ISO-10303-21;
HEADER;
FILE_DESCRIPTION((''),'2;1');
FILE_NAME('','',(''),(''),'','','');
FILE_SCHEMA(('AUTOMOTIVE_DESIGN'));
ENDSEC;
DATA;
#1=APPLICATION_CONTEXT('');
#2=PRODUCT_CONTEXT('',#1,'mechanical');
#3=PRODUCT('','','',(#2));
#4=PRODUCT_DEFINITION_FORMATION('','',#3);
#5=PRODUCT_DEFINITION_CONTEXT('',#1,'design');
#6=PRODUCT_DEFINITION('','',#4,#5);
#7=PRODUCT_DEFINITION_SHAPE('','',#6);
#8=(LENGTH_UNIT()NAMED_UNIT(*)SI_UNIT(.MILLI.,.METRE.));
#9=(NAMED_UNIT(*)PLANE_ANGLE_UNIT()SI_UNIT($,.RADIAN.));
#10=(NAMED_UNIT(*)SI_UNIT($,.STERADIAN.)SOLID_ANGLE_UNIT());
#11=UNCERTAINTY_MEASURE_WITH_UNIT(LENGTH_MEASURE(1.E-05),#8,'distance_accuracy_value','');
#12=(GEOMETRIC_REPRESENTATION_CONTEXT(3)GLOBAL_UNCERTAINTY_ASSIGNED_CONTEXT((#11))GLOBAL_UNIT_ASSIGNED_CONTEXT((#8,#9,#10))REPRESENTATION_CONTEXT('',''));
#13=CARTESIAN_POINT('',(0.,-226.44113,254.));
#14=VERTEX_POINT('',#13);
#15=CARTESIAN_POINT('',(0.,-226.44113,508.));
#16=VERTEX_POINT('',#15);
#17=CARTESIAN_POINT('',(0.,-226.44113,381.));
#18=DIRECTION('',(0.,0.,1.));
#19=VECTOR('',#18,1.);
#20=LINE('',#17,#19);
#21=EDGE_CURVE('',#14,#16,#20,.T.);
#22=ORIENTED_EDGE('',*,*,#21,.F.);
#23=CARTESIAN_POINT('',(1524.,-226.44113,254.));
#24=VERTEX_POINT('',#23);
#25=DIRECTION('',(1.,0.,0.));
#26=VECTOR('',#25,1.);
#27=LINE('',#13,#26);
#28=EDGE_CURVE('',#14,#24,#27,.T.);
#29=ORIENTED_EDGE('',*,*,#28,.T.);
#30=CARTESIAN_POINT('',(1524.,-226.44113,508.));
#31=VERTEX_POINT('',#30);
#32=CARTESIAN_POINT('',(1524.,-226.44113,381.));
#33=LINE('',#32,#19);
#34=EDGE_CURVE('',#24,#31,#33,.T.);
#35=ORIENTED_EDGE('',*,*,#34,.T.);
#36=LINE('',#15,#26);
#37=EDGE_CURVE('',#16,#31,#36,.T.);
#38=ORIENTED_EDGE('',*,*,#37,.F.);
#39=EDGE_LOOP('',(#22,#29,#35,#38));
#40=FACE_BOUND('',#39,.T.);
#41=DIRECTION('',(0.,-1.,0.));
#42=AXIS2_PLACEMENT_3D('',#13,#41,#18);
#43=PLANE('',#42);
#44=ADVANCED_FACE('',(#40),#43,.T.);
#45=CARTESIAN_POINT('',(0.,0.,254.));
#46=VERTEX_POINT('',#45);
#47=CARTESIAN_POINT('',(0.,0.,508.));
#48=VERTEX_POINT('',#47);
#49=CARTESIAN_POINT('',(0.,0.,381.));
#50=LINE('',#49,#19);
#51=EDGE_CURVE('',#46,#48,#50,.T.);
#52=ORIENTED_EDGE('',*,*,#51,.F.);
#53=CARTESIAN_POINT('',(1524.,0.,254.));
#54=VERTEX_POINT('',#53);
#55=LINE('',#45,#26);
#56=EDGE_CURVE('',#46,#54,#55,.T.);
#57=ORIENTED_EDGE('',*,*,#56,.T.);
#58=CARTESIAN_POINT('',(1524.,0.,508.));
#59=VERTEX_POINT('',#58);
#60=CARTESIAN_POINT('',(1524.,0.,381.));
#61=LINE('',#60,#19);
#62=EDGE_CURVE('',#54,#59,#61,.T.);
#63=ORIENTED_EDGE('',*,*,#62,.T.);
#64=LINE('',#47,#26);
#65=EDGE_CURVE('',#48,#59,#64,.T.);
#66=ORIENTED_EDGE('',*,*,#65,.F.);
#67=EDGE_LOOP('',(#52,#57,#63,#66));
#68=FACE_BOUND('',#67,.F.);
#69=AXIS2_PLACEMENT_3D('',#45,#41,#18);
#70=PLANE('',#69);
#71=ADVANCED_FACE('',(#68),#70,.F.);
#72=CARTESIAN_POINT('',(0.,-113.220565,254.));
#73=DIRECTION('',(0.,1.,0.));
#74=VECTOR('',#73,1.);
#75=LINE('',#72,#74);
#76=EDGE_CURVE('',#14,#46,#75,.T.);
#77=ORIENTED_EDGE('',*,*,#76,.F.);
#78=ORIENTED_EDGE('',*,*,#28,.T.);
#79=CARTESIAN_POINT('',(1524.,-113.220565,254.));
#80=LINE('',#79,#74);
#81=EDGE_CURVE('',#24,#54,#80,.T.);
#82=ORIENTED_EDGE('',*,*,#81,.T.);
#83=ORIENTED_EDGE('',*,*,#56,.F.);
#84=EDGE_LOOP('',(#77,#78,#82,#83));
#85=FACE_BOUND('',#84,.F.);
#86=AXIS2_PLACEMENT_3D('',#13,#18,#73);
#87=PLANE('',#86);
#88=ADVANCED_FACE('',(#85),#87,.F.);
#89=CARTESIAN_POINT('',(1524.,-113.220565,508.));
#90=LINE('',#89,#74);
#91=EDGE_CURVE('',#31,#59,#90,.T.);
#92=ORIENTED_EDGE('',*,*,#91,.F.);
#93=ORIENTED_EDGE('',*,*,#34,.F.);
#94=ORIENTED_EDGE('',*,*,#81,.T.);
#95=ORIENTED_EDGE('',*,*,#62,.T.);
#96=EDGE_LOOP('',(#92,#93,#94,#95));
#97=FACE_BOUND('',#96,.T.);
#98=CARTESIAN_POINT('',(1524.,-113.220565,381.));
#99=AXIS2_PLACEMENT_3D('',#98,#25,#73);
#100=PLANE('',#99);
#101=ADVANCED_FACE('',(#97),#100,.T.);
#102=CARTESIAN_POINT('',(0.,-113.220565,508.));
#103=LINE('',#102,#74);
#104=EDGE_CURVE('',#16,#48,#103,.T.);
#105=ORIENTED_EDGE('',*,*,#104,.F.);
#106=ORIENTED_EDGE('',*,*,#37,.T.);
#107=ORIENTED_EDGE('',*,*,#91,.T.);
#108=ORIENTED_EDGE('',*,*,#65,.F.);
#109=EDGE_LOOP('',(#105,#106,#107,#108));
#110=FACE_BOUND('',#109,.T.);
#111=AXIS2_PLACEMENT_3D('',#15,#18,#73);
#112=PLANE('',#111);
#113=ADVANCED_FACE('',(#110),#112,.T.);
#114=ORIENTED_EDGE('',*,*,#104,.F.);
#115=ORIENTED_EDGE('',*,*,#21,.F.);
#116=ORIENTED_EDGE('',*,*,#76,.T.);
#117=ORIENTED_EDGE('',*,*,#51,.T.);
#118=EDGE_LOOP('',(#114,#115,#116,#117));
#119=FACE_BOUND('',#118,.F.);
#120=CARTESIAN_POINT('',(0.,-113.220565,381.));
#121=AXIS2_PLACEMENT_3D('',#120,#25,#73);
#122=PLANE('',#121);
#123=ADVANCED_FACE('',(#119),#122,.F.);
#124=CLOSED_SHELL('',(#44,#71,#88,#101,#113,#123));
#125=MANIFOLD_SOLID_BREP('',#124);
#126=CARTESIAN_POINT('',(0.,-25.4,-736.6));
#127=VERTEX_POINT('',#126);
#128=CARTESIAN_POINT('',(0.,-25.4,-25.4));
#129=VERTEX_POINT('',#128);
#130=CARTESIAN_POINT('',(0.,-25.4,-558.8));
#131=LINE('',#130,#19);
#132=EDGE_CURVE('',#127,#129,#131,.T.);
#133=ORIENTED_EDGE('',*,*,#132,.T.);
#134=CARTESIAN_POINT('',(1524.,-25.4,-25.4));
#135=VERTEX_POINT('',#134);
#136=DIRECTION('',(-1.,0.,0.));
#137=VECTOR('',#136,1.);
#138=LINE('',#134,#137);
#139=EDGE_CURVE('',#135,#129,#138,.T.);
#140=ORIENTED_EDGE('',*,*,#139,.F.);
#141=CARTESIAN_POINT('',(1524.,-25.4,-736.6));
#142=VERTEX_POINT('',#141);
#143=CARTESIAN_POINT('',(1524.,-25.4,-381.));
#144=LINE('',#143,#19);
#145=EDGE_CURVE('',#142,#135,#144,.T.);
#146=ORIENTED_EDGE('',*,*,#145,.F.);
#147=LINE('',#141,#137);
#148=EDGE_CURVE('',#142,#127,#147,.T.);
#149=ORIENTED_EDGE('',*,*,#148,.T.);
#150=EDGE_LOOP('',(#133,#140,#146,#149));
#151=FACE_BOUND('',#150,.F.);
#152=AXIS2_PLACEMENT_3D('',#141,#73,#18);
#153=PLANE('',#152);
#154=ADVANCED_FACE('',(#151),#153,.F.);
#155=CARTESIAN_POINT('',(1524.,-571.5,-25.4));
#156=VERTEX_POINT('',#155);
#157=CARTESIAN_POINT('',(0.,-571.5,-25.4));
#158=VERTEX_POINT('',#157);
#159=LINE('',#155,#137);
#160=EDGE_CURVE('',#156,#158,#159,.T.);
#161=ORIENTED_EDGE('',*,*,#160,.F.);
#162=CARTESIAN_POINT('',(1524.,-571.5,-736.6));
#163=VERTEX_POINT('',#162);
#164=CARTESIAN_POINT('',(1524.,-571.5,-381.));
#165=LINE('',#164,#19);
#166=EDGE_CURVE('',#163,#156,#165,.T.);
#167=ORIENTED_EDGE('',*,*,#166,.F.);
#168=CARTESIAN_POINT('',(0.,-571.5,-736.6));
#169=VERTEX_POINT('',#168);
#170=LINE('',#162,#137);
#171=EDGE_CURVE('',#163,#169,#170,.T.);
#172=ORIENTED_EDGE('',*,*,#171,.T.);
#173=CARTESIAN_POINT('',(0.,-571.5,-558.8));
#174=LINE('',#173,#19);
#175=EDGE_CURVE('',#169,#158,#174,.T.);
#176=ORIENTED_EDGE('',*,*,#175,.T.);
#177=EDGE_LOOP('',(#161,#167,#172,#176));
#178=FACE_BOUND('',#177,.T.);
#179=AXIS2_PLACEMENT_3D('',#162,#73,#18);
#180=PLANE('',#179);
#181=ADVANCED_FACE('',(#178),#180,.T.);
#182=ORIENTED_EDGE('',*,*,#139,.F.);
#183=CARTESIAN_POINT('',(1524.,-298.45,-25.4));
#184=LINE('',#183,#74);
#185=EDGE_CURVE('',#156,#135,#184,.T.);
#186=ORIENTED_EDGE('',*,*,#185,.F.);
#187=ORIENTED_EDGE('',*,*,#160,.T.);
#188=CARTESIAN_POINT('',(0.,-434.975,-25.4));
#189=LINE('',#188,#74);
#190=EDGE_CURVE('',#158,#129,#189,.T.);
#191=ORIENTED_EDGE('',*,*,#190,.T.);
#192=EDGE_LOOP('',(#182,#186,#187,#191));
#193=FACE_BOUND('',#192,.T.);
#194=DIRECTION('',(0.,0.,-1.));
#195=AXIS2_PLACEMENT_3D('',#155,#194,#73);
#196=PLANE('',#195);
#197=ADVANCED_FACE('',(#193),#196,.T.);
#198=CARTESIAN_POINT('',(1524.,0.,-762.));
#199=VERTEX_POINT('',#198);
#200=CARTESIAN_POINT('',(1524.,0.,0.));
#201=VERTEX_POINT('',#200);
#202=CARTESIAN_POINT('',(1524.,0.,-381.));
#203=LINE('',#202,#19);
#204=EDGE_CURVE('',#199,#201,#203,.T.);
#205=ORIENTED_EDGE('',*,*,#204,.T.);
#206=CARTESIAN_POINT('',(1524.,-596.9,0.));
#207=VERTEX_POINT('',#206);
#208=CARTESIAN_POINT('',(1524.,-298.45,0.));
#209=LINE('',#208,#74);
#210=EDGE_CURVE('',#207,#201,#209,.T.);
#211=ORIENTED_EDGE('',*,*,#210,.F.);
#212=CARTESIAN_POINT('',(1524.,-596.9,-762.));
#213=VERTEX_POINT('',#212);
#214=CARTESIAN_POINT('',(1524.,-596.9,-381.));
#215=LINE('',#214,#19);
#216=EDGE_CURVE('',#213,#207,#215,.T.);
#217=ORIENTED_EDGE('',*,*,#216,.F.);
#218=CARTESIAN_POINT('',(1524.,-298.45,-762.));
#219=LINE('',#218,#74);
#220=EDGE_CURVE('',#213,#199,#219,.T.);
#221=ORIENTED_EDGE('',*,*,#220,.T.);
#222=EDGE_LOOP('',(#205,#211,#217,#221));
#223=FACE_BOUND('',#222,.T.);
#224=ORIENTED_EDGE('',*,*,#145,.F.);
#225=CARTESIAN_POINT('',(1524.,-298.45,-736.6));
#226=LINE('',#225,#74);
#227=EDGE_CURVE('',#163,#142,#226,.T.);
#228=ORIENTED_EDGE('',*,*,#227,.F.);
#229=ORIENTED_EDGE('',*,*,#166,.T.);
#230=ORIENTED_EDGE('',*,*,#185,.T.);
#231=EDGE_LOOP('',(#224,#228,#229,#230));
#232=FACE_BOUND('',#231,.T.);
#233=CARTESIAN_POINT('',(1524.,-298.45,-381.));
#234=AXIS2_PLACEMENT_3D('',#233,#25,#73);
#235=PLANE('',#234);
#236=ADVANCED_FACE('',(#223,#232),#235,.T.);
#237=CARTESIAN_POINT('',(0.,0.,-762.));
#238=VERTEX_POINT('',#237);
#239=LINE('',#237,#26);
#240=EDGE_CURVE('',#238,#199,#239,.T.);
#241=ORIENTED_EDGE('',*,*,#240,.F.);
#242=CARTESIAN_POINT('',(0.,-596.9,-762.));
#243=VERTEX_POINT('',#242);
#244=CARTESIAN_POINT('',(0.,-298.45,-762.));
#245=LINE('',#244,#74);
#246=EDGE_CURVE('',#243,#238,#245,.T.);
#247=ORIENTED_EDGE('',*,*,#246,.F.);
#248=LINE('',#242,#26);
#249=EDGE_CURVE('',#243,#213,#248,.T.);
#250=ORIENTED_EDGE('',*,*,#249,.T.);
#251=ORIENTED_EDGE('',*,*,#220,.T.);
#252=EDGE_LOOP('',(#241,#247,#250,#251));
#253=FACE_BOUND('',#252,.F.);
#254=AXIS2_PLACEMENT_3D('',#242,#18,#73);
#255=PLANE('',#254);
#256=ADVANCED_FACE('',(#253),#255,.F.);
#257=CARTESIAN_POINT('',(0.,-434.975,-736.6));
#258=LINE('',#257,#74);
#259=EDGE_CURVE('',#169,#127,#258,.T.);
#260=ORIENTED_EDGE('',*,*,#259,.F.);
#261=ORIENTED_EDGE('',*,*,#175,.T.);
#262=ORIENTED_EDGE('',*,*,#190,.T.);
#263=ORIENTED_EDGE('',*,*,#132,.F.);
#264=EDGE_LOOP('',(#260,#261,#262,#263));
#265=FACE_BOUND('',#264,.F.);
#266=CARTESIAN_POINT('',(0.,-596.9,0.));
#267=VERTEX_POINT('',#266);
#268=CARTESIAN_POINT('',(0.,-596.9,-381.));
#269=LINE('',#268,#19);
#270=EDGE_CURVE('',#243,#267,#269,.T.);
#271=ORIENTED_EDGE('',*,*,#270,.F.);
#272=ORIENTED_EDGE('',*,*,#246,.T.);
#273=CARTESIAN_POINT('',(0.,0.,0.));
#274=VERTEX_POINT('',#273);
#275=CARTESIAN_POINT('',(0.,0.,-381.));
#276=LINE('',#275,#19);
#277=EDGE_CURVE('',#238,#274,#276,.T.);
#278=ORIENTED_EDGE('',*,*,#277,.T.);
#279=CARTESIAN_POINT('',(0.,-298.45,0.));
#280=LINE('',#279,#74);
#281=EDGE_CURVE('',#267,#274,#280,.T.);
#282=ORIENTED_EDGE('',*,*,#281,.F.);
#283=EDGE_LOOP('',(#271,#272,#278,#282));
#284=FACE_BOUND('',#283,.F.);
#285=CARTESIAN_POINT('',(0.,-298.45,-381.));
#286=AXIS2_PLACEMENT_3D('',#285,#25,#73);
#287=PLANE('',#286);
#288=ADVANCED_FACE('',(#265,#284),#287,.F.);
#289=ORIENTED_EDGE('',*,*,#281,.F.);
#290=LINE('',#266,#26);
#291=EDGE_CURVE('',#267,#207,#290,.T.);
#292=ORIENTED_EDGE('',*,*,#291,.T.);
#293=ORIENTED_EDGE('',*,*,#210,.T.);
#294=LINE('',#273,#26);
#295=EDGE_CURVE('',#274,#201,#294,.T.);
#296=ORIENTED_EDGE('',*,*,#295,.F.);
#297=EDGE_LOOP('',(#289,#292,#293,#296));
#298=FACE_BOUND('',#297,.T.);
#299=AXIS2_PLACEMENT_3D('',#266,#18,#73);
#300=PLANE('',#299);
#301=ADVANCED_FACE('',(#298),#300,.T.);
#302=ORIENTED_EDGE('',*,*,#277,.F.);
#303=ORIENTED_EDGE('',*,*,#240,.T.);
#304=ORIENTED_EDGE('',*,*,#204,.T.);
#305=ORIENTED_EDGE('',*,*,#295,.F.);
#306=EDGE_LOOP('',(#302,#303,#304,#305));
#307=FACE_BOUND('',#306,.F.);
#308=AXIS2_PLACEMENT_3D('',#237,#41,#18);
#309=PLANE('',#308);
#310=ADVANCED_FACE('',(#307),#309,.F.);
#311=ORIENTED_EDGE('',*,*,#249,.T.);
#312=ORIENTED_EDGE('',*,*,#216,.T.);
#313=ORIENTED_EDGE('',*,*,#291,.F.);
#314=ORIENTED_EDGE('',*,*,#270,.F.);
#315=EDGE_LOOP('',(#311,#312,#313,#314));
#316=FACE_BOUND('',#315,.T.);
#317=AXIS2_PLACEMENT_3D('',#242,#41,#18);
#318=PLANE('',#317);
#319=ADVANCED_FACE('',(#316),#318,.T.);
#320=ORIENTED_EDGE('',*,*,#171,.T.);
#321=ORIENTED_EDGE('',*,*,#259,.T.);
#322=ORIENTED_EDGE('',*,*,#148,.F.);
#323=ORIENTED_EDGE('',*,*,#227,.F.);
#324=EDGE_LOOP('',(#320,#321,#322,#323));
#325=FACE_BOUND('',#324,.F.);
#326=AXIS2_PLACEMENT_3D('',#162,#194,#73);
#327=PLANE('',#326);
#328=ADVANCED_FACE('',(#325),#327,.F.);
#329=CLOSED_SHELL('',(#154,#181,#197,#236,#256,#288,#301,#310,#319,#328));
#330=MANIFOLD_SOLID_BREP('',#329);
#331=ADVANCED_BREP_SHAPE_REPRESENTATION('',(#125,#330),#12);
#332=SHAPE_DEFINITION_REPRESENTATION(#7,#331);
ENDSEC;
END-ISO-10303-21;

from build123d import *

# Parameters (mm, degrees)
F0_W     = 596.9
F0_H     = 762
F0_W_2   = 226.44113
F0_H_2   = 254
F1_DEPTH = 1524
F2_W     = 546.1
F2_H     = 711.2
F3_DEPTH = 1693.74904


with BuildPart() as f1:
    # F0 (on Right) → F1 (new body)
    with BuildSketch(Plane.YZ):
        with Locations((-298.45, -381)):
            Rectangle(F0_W, F0_H)
        with Locations((-113.220565, 381)):
            Rectangle(F0_W_2, F0_H_2)
    extrude(amount=F1_DEPTH)

    # F2 (on face) → F3 (cut)
    with BuildSketch(Plane.YZ.offset(1524)):
        with Locations((-298.45, -381)):
            Rectangle(F2_W, F2_H)
    extrude(amount=-F3_DEPTH, mode=Mode.SUBTRACT)


solid = f1.part
